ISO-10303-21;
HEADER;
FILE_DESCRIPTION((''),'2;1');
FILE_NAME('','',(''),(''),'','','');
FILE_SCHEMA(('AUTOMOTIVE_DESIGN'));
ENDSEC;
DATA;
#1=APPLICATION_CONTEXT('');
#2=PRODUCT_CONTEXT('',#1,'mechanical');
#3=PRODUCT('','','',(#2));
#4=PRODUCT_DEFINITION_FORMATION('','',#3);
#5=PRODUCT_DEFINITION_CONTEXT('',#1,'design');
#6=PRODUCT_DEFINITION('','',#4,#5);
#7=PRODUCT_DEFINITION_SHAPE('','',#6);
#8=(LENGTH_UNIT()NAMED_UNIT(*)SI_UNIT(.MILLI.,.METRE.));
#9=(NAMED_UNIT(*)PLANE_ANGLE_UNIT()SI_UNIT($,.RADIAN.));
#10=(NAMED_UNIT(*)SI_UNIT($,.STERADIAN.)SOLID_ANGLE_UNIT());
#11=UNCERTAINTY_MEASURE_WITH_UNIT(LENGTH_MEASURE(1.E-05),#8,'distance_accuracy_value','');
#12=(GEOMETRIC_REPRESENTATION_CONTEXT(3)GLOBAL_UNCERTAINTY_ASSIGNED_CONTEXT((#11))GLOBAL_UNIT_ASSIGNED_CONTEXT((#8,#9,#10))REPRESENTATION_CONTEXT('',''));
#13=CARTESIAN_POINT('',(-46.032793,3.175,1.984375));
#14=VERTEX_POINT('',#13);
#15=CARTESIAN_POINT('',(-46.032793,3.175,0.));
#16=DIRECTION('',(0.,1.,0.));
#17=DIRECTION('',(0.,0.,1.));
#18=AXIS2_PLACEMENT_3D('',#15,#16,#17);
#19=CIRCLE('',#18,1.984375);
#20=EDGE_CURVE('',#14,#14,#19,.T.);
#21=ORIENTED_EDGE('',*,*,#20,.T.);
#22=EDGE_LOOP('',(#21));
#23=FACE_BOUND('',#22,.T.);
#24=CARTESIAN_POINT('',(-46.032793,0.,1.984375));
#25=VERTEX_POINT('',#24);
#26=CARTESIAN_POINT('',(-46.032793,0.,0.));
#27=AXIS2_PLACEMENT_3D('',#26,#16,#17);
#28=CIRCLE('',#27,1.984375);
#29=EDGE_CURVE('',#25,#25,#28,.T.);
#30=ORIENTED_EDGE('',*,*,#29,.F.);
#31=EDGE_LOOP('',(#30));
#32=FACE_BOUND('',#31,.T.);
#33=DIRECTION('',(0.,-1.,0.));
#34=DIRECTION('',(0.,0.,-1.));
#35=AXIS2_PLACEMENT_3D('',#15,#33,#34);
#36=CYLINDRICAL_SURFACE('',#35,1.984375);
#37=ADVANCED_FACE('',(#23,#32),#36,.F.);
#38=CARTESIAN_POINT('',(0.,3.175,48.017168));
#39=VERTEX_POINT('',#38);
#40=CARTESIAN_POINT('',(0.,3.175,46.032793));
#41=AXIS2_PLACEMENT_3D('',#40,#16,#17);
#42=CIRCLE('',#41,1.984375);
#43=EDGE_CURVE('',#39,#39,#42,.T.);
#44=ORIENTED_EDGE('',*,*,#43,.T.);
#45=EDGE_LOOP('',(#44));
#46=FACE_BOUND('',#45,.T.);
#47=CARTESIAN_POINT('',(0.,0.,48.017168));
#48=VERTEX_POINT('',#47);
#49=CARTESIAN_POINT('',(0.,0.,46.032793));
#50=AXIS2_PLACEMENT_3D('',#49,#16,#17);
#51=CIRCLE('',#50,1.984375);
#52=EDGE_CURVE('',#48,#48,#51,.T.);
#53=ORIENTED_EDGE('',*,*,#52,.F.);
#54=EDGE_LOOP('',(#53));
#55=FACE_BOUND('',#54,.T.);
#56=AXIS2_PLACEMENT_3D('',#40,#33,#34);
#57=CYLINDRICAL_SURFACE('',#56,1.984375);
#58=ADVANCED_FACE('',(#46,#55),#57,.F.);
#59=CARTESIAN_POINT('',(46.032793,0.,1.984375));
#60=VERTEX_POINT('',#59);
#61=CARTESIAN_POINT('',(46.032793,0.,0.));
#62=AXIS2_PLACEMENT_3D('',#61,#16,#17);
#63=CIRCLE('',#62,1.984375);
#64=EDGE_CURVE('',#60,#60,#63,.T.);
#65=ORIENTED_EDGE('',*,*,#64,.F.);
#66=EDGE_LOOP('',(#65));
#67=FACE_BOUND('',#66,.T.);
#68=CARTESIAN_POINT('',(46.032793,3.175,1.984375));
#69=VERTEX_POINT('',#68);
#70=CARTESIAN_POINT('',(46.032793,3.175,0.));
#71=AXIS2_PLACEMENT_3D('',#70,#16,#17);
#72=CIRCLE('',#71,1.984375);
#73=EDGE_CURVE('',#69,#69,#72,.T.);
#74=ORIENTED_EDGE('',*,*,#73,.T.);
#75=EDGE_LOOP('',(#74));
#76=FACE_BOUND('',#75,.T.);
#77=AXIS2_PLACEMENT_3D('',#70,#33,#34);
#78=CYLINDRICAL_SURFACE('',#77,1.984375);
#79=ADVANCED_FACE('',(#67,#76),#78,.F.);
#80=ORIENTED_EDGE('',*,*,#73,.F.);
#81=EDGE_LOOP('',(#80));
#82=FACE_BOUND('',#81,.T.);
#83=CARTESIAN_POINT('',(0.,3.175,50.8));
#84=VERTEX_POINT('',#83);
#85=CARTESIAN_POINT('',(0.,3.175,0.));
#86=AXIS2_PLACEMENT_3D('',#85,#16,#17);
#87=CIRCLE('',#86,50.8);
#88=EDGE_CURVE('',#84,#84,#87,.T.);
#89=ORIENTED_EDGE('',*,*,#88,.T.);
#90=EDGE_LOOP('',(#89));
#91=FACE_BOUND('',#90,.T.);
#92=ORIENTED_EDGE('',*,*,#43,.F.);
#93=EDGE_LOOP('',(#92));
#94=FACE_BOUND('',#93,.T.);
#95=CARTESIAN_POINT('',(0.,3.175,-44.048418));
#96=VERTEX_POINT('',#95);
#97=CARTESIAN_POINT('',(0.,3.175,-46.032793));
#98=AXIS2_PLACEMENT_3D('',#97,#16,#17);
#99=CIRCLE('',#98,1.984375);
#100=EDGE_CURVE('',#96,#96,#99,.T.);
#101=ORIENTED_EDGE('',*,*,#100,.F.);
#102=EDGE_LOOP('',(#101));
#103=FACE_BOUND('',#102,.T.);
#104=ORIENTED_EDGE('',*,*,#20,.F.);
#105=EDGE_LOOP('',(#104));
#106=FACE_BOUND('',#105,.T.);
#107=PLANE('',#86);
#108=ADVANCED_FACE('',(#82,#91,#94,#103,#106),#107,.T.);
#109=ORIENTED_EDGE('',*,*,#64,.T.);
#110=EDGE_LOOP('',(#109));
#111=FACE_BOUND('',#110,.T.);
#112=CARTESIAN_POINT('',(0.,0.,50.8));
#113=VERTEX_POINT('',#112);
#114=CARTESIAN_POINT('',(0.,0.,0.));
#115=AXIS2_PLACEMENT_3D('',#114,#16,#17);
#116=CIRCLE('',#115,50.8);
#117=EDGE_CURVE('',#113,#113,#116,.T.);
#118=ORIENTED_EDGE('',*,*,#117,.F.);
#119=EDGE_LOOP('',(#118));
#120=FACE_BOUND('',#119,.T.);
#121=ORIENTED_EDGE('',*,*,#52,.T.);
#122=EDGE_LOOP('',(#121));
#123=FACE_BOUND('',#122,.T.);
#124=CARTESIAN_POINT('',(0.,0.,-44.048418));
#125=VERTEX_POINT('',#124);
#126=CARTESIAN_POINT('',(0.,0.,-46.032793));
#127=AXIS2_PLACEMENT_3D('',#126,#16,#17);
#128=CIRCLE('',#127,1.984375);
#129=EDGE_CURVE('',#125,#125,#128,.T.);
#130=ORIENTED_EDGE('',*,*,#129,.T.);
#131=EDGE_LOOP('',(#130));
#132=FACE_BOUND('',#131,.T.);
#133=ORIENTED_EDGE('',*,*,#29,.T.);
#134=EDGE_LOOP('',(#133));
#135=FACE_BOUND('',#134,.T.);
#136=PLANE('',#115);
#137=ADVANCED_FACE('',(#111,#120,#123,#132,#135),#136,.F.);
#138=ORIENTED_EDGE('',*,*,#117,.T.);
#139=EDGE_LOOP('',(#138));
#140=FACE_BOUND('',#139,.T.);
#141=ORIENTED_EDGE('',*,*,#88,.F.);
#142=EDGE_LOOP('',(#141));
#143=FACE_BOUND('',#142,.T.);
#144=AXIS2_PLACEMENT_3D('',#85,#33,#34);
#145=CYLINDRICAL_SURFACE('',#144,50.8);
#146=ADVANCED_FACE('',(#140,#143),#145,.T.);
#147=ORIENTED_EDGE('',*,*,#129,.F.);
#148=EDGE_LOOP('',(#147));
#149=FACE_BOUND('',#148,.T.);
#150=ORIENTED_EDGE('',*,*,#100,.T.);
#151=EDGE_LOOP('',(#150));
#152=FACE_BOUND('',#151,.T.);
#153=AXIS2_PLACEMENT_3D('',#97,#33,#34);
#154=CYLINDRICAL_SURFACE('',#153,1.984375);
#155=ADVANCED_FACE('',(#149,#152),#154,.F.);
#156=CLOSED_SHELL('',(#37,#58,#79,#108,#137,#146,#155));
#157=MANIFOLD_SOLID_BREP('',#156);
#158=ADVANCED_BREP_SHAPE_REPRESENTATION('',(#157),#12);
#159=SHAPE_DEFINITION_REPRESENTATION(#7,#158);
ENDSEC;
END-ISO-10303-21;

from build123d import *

# Parameters (mm, degrees)
SKETCH1_R           = 50.8
SKETCH1_R_2         = 1.984375
BOSS_EXTRUDE1_DEPTH = 3.175


with BuildPart() as part:
    # Sketch1 → Boss-Extrude1 (new body)
    with BuildSketch(Plane(origin=(0, 0, 0), x_dir=(1, 0, 0), z_dir=(0, 1, 0))):
        with Locations(Location((0, 0, 0), (0, 0, 270))):
            Circle(SKETCH1_R)
        with Locations(Location((0, 46.032792877, 0), (0, 0, 270))):
            Circle(SKETCH1_R_2, mode=Mode.SUBTRACT)
        with Locations(Location((46.032792877, 0, 0), (0, 0, 270))):
            Circle(SKETCH1_R_2, mode=Mode.SUBTRACT)
        with Locations(Location((0, -46.032792877, 0), (0, 0, 270))):
            Circle(SKETCH1_R_2, mode=Mode.SUBTRACT)
        with Locations(Location((-46.032792877, 0, 0), (0, 0, 270))):
            Circle(SKETCH1_R_2, mode=Mode.SUBTRACT)
    extrude(amount=BOSS_EXTRUDE1_DEPTH)


solid = part.part
